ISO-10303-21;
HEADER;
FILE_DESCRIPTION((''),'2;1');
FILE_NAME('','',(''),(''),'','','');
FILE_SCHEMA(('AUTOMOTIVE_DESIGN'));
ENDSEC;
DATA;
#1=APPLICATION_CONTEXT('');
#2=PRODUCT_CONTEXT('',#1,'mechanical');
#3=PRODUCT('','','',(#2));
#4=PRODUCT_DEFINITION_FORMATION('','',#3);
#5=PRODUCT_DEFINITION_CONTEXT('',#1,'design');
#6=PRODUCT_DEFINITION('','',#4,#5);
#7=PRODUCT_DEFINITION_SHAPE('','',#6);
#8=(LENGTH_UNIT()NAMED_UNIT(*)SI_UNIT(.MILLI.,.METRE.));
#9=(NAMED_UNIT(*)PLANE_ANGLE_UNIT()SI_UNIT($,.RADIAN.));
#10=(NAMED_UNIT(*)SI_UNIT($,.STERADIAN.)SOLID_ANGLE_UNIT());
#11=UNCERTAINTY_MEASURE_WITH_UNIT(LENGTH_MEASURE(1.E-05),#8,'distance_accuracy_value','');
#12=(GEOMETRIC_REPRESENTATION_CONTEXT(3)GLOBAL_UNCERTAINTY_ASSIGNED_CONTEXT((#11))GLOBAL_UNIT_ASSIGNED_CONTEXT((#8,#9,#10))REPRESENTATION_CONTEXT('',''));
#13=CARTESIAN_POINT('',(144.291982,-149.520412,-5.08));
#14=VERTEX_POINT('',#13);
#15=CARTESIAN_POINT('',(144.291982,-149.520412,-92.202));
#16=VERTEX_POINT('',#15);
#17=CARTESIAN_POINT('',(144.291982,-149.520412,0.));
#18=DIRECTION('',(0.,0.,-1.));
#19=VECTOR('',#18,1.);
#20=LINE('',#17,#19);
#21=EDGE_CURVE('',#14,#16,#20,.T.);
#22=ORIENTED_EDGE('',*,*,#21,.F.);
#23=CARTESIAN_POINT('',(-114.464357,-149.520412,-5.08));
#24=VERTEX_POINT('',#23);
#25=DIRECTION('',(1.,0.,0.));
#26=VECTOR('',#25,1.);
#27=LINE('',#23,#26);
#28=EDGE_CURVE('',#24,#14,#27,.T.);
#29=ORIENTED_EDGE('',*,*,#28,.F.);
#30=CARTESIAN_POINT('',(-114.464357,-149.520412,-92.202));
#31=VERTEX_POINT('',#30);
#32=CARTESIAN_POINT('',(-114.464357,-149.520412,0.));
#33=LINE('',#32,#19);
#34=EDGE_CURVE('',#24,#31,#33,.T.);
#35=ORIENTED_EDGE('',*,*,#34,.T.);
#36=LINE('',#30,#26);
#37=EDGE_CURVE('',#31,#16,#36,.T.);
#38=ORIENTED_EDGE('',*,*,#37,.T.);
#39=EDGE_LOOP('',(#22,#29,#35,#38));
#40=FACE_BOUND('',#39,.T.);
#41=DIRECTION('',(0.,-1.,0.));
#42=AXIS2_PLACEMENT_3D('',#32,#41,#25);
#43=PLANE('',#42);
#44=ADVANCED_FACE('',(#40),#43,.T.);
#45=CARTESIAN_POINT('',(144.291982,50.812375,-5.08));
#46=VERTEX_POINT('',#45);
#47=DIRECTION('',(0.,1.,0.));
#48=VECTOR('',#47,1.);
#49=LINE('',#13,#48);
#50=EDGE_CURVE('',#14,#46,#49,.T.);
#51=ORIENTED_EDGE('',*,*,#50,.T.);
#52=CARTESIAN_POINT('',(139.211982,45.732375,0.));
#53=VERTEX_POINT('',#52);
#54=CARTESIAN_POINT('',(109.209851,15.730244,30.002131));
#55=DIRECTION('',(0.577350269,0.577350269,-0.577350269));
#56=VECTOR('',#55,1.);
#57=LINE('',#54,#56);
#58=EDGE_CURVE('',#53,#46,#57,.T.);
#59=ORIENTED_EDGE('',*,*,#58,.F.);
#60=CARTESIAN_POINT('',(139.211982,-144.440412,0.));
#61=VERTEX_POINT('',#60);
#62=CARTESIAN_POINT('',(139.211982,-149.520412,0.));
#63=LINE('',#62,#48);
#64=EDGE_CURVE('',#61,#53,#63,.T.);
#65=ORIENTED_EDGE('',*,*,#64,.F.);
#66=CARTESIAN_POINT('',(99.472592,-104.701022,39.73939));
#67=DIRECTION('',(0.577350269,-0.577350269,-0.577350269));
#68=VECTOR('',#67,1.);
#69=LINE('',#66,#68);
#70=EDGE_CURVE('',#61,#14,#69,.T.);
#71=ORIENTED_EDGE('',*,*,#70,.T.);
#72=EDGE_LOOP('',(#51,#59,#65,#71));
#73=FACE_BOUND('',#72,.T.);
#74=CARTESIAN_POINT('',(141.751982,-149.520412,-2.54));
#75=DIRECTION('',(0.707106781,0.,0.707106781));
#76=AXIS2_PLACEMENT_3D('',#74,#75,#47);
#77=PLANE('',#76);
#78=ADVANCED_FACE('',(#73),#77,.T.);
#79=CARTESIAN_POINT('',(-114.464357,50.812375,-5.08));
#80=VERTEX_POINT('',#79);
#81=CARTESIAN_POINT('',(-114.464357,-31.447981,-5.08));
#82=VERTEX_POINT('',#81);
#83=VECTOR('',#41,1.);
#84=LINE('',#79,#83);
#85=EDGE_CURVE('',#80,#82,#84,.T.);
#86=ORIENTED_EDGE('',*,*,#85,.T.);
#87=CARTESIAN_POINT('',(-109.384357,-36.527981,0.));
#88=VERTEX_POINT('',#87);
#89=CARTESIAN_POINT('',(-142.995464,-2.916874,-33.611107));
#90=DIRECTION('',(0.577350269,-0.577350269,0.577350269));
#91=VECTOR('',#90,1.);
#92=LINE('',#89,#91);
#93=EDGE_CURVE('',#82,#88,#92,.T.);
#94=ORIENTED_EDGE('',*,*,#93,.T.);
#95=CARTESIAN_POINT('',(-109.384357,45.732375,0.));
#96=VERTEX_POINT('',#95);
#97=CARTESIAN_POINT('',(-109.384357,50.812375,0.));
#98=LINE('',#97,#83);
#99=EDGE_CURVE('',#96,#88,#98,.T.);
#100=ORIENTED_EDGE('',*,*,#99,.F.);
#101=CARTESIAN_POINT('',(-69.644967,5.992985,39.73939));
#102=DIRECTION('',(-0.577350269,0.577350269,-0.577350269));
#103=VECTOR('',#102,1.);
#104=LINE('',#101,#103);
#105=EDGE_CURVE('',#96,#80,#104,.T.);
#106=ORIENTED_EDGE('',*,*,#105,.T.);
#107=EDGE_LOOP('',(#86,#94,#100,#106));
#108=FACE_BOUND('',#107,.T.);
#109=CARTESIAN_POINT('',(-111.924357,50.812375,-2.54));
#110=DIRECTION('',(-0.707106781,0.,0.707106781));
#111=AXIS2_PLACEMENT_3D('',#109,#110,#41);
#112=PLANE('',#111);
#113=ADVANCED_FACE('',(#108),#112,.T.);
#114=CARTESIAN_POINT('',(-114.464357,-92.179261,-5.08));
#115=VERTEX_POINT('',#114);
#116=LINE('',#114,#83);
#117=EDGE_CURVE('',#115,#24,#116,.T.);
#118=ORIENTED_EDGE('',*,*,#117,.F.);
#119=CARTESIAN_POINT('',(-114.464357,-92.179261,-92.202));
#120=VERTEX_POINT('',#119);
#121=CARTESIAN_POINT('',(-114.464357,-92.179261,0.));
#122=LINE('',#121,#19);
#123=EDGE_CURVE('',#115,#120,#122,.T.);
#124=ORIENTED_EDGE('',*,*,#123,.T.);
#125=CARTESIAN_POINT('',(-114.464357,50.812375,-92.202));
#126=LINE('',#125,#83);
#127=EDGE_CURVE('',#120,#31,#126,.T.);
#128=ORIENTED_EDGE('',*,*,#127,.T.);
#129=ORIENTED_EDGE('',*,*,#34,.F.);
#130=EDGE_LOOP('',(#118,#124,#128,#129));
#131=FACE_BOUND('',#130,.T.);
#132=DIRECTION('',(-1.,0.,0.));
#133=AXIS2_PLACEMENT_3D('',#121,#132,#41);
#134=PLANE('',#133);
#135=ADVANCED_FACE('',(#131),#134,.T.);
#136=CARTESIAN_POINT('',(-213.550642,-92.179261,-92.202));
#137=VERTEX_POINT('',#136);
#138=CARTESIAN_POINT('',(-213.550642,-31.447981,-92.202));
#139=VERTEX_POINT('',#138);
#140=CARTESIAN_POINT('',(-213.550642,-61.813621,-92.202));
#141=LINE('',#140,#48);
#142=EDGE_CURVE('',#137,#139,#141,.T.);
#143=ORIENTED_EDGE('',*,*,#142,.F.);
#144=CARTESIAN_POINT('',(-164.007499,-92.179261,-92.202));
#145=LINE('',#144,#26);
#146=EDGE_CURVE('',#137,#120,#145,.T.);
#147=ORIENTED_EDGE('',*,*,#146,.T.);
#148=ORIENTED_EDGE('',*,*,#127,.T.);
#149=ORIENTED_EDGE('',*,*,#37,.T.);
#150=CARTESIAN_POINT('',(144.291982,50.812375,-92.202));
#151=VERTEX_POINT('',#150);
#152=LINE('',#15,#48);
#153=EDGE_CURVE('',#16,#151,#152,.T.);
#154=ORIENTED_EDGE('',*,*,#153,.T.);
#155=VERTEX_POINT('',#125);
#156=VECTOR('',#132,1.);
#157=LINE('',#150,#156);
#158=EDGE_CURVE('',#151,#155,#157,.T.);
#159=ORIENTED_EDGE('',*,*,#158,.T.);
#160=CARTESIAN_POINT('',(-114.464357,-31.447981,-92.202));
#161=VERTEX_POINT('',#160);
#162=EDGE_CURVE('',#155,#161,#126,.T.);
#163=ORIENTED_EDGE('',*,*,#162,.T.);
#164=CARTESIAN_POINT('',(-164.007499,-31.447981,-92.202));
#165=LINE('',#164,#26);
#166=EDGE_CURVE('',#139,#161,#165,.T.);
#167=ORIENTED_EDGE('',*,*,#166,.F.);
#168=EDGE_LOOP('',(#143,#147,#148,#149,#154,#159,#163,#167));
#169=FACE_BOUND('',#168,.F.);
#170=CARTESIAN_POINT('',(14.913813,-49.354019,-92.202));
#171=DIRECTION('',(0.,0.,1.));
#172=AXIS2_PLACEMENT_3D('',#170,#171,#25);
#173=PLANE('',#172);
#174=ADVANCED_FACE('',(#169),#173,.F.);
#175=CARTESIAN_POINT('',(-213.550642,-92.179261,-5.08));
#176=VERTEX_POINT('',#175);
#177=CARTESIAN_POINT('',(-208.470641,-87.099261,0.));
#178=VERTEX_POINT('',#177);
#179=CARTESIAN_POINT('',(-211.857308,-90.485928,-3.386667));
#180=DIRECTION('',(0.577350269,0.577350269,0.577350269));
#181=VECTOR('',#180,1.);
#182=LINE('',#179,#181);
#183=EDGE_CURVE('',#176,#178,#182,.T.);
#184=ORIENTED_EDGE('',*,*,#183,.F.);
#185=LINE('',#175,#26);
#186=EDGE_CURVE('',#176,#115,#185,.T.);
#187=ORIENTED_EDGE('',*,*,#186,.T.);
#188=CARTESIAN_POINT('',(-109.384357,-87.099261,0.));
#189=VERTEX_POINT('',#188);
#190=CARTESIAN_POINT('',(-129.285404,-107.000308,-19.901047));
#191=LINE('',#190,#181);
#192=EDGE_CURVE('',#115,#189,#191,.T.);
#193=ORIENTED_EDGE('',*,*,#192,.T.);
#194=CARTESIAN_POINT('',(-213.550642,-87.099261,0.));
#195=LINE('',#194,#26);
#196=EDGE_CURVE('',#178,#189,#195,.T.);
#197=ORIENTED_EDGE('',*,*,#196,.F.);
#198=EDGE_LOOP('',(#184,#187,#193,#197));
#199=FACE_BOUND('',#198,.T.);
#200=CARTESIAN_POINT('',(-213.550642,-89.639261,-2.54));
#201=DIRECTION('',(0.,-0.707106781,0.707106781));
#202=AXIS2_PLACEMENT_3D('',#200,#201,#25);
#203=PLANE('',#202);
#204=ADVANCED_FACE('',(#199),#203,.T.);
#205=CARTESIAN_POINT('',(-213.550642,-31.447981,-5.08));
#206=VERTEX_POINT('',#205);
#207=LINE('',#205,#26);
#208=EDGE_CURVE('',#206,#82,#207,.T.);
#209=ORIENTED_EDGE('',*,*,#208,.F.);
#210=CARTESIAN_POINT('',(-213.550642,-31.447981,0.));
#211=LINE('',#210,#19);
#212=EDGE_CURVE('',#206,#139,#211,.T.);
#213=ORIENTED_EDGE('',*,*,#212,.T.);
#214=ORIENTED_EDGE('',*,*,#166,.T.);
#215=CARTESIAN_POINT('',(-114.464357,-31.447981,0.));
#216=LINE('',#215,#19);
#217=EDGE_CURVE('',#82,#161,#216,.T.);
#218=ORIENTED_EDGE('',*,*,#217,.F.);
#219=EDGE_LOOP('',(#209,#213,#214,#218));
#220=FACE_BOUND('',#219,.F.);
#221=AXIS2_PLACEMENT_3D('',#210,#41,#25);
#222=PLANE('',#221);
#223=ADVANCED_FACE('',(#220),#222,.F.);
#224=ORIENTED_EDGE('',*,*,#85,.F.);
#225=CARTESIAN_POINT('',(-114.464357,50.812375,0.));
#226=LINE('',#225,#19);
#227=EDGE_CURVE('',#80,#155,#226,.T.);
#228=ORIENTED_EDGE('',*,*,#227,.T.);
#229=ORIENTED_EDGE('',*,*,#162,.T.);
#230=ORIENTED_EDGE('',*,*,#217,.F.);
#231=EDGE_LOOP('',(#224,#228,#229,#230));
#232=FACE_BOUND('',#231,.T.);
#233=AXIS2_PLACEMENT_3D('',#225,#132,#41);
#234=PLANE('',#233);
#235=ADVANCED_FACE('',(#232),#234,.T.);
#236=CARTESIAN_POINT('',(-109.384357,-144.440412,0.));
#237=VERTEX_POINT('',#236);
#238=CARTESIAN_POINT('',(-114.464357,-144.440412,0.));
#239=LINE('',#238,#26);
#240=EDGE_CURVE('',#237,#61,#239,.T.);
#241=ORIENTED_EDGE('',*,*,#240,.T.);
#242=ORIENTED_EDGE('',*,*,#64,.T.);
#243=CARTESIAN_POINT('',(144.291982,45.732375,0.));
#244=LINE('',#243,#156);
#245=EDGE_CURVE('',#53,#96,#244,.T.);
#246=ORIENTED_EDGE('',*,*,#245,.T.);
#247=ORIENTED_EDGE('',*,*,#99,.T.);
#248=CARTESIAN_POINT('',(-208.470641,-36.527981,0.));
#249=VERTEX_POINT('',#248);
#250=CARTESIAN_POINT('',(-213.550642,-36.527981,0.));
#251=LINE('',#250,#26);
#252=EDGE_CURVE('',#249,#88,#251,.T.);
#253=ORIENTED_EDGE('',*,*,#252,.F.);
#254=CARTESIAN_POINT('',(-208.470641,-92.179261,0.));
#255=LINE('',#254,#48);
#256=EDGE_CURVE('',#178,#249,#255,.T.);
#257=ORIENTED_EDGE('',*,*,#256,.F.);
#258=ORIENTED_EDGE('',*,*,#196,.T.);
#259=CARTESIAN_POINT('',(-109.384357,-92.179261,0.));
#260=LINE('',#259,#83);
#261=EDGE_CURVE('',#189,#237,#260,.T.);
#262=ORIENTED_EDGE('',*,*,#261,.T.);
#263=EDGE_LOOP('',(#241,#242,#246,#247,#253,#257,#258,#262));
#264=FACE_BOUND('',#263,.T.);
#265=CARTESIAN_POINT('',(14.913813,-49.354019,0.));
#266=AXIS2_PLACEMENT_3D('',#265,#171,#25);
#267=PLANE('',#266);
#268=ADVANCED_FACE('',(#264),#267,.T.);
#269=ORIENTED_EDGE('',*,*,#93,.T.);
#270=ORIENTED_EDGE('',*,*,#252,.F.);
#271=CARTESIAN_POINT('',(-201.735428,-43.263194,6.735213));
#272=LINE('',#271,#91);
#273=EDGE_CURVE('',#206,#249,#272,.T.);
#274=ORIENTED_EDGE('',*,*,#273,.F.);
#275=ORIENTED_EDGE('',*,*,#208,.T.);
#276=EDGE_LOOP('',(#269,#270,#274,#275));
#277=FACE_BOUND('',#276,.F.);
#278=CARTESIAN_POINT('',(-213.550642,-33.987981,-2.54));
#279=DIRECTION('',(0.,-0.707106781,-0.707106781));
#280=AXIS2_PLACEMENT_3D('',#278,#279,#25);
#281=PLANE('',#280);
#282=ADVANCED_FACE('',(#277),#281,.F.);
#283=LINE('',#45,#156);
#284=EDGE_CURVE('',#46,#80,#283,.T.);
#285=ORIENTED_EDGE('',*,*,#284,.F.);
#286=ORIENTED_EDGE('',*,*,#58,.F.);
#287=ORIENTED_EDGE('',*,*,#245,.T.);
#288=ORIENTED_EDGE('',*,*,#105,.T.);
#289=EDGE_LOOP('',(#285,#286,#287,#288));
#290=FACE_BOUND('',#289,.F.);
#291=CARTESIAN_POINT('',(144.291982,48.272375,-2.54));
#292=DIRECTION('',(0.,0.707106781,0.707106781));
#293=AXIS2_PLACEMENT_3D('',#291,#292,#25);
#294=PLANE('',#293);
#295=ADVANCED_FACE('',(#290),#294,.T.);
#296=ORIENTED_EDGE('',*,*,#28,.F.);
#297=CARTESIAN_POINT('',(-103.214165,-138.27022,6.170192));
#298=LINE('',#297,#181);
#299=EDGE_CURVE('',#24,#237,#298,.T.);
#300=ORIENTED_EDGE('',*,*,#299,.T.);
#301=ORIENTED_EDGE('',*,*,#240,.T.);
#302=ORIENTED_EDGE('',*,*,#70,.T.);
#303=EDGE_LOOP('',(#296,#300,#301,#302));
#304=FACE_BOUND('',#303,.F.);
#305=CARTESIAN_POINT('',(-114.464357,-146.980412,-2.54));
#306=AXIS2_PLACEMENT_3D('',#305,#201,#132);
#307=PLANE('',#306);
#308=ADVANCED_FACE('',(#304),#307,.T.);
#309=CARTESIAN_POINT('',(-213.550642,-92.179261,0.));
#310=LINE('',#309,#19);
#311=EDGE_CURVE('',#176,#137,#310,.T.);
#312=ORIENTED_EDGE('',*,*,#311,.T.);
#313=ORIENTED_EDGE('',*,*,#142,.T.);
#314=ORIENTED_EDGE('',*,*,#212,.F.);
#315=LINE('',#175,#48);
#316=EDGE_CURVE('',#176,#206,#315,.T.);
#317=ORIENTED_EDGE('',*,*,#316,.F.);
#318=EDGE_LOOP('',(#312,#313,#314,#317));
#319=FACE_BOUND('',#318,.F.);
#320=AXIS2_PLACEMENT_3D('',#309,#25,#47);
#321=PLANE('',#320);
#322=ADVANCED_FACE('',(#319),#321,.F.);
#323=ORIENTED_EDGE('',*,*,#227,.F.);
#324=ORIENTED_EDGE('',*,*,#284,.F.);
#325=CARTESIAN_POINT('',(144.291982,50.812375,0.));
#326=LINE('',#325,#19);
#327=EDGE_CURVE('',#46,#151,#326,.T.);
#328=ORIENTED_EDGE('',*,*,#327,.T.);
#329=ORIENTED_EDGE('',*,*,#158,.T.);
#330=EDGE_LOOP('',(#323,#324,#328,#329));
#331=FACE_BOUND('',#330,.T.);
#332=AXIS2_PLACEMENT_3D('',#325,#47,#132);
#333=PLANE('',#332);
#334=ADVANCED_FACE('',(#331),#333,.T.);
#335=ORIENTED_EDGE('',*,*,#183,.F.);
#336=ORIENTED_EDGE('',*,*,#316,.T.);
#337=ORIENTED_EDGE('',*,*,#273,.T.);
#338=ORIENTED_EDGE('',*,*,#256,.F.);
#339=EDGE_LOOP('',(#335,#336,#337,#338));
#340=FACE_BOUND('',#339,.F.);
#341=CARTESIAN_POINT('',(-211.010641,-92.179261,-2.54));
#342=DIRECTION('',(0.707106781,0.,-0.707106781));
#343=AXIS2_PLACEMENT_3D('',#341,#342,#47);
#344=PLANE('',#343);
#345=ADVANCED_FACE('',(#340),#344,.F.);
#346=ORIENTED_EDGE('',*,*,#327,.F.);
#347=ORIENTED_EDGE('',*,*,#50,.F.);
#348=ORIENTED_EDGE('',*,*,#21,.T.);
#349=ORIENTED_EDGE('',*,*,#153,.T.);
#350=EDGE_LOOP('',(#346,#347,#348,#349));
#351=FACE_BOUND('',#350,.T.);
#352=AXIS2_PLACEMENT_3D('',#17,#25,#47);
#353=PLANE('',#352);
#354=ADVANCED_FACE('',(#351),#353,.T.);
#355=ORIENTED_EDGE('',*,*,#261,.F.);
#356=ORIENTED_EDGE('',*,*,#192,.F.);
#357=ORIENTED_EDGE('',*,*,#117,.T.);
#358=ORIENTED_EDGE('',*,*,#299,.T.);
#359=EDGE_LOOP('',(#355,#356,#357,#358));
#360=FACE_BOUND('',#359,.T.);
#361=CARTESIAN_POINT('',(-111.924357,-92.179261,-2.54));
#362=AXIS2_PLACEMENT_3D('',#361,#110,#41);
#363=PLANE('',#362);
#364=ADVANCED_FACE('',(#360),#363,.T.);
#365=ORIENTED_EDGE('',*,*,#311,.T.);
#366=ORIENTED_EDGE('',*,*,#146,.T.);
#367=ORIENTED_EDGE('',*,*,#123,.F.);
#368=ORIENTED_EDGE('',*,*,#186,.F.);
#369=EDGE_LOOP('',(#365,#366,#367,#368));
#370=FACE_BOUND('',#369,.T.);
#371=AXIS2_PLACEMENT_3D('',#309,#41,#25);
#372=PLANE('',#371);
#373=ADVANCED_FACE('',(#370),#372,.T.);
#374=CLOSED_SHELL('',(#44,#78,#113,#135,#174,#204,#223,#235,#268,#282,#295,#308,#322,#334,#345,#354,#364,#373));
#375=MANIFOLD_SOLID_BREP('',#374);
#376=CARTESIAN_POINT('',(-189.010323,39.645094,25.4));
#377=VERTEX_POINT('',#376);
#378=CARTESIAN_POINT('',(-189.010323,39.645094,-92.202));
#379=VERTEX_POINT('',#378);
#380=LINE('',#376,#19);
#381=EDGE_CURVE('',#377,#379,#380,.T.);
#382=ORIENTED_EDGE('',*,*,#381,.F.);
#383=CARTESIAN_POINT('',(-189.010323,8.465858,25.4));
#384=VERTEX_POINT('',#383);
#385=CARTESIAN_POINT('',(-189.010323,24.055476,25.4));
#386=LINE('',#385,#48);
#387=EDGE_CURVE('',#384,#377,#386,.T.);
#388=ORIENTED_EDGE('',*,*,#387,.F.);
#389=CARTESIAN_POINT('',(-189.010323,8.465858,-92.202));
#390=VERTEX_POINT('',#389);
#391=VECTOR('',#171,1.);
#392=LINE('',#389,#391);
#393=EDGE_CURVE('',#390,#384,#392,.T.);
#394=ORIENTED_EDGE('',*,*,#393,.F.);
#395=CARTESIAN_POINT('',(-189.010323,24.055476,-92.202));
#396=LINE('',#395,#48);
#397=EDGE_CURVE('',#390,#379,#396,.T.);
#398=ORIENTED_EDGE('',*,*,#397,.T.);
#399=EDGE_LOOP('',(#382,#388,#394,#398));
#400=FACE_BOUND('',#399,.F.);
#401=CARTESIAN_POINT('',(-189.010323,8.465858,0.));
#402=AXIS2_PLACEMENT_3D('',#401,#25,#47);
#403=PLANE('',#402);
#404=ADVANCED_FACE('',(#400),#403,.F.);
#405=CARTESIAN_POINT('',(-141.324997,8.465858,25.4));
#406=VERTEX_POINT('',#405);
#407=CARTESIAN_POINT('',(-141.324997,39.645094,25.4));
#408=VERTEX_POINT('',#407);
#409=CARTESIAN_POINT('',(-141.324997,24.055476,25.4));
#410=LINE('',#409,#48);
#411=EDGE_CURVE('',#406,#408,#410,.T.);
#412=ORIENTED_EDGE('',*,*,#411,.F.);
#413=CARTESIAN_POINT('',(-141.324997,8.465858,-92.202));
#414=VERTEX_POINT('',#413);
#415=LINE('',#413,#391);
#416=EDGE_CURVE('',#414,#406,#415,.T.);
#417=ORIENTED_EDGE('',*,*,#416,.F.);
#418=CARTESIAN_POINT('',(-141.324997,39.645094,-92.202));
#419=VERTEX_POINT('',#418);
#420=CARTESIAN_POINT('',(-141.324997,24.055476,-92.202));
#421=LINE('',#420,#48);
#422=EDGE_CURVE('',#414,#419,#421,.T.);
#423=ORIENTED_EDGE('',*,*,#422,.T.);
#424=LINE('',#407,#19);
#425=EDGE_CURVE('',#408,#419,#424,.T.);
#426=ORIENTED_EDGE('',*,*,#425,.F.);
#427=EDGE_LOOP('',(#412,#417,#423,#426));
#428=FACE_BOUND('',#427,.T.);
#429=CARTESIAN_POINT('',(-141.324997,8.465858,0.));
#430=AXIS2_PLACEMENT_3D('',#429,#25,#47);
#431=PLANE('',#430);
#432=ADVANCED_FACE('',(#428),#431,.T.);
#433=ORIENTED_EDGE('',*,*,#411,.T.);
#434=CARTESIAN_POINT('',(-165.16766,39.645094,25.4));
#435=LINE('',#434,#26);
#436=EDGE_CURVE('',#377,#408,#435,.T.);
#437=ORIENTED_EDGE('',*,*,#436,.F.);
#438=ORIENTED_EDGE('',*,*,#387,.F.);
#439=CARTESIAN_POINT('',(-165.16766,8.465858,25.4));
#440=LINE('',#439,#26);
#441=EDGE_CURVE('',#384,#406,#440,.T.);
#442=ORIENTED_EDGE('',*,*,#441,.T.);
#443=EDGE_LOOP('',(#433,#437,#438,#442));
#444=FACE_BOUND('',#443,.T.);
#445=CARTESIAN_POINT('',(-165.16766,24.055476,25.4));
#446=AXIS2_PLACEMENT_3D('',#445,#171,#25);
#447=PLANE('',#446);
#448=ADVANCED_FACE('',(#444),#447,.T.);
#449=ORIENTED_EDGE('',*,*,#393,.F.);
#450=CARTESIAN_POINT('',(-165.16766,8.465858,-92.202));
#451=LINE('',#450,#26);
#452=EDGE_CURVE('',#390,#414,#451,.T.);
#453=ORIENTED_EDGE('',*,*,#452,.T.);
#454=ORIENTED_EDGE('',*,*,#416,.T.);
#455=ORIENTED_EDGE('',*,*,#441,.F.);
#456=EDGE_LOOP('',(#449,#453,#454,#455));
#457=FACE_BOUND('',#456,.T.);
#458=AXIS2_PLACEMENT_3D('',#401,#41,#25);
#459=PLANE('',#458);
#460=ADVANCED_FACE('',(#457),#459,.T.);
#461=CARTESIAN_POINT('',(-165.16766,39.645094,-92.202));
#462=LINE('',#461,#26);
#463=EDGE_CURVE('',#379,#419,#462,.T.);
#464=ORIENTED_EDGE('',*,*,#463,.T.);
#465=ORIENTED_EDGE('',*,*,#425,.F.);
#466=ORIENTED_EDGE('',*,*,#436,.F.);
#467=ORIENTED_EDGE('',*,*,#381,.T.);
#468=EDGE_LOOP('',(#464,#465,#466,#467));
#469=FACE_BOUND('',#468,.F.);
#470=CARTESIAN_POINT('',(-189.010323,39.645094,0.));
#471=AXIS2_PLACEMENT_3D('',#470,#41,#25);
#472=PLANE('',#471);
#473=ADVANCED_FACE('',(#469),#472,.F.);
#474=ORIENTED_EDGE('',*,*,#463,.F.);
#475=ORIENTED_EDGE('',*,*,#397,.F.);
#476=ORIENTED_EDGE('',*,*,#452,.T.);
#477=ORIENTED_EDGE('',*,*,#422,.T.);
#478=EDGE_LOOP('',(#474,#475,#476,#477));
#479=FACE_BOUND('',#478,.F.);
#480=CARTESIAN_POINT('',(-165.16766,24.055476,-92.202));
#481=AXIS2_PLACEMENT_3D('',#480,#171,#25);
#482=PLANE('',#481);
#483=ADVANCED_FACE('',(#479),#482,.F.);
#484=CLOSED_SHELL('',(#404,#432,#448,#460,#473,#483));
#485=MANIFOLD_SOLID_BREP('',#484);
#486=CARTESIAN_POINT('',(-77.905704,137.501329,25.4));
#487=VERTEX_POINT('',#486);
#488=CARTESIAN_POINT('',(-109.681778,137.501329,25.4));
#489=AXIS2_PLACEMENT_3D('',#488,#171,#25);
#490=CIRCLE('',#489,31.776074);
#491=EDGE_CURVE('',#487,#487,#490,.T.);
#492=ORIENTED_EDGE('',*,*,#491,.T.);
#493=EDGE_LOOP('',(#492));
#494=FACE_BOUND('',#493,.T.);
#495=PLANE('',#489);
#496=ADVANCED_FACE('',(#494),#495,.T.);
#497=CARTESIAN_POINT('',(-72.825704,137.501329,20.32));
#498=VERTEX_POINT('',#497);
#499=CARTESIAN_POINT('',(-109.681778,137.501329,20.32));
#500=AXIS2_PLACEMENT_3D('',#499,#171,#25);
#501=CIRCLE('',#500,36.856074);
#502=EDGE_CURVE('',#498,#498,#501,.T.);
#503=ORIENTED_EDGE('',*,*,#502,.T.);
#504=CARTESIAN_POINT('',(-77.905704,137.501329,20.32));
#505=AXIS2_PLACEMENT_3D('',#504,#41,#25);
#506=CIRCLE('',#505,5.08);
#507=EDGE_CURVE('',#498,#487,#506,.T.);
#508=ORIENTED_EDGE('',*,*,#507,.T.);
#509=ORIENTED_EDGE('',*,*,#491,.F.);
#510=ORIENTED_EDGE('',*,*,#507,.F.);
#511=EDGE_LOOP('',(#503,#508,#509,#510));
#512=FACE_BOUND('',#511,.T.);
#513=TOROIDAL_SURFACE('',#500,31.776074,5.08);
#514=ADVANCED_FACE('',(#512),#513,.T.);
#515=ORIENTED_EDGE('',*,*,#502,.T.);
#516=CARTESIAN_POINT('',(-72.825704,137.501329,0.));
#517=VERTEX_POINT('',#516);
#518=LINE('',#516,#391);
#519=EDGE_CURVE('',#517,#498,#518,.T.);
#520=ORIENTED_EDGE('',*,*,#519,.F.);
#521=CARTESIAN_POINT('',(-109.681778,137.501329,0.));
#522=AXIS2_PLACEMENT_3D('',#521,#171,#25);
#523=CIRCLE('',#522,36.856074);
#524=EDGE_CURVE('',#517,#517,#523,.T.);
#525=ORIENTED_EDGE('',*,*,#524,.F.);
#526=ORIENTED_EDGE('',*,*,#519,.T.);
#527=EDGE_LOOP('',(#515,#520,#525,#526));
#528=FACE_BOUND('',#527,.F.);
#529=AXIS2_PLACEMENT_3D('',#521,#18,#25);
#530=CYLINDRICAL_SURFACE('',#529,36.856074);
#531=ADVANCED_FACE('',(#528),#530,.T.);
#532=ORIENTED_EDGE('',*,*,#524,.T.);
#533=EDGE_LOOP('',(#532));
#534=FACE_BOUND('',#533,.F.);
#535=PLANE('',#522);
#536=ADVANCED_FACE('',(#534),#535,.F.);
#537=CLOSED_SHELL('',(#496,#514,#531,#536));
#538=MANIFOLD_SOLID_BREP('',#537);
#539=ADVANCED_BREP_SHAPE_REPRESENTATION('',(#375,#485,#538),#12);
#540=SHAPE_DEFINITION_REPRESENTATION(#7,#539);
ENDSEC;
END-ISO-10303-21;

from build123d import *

# Parameters (mm, degrees)
F0_W     = 47.685325
F0_H     = 31.179237
F1_DEPTH = 25.4
F0_W_2   = 99.086285
F0_H_2   = 60.73128
F2_DEPTH = 92.202
F3_R     = 36.856074
F4_DEPTH = 25.4
F5_R     = 5.08
F6_SIZE  = 5.08


with BuildPart() as f1:
    # F0 (on Top) → F1 (new body)
    with BuildSketch(Plane.XY):
        with Locations((-165.16766, 24.055476)):
            Rectangle(F0_W, F0_H)
    extrude(amount=F1_DEPTH)

    # F0 (on Top) → F2 (join)
    with BuildSketch(Plane.XY):
        Polygon((144.291982, 50.812375), (-114.464357, 50.812375), (-114.464357, -31.447981), (-114.464357, -92.179261), (-114.464357, -149.520412), (144.291982, -149.520412), align=None)
        with Locations((-164.007499, -61.813621)):
            Rectangle(F0_W_2, F0_H_2)
        with Locations((-165.16766, 24.055476)):
            Rectangle(F0_W, F0_H)
    extrude(amount=-F2_DEPTH)

    # F6
    f6_edges = [f1.edges().sort_by_distance(p)[0] for p in [
        (14.913812, 50.812375, 0),
        (-114.464357, 9.682197, 0),
        (-164.0075, -31.447981, 0),
        (-213.550642, -61.813621, 0),
        (-164.0075, -92.179261, 0),
        (-114.464357, -120.849837, 0),
        (14.913812, -149.520412, 0),
        (144.291982, -49.354019, 0),
    ]]
    chamfer(f6_edges, length=F6_SIZE)


with BuildPart() as f4:
    # F3 (on Top) → F4 (new body)
    with BuildSketch(Plane.XY):
        with Locations((-109.681778, 137.501329)):
            Circle(F3_R)
    extrude(amount=F4_DEPTH)

    # F5
    f5_edges = [f4.edges().sort_by_distance(p)[0] for p in [
        (-146.537851, 137.501329, 25.4),
    ]]
    fillet(f5_edges, radius=F5_R)


solid = Compound([f1.part, f4.part])
